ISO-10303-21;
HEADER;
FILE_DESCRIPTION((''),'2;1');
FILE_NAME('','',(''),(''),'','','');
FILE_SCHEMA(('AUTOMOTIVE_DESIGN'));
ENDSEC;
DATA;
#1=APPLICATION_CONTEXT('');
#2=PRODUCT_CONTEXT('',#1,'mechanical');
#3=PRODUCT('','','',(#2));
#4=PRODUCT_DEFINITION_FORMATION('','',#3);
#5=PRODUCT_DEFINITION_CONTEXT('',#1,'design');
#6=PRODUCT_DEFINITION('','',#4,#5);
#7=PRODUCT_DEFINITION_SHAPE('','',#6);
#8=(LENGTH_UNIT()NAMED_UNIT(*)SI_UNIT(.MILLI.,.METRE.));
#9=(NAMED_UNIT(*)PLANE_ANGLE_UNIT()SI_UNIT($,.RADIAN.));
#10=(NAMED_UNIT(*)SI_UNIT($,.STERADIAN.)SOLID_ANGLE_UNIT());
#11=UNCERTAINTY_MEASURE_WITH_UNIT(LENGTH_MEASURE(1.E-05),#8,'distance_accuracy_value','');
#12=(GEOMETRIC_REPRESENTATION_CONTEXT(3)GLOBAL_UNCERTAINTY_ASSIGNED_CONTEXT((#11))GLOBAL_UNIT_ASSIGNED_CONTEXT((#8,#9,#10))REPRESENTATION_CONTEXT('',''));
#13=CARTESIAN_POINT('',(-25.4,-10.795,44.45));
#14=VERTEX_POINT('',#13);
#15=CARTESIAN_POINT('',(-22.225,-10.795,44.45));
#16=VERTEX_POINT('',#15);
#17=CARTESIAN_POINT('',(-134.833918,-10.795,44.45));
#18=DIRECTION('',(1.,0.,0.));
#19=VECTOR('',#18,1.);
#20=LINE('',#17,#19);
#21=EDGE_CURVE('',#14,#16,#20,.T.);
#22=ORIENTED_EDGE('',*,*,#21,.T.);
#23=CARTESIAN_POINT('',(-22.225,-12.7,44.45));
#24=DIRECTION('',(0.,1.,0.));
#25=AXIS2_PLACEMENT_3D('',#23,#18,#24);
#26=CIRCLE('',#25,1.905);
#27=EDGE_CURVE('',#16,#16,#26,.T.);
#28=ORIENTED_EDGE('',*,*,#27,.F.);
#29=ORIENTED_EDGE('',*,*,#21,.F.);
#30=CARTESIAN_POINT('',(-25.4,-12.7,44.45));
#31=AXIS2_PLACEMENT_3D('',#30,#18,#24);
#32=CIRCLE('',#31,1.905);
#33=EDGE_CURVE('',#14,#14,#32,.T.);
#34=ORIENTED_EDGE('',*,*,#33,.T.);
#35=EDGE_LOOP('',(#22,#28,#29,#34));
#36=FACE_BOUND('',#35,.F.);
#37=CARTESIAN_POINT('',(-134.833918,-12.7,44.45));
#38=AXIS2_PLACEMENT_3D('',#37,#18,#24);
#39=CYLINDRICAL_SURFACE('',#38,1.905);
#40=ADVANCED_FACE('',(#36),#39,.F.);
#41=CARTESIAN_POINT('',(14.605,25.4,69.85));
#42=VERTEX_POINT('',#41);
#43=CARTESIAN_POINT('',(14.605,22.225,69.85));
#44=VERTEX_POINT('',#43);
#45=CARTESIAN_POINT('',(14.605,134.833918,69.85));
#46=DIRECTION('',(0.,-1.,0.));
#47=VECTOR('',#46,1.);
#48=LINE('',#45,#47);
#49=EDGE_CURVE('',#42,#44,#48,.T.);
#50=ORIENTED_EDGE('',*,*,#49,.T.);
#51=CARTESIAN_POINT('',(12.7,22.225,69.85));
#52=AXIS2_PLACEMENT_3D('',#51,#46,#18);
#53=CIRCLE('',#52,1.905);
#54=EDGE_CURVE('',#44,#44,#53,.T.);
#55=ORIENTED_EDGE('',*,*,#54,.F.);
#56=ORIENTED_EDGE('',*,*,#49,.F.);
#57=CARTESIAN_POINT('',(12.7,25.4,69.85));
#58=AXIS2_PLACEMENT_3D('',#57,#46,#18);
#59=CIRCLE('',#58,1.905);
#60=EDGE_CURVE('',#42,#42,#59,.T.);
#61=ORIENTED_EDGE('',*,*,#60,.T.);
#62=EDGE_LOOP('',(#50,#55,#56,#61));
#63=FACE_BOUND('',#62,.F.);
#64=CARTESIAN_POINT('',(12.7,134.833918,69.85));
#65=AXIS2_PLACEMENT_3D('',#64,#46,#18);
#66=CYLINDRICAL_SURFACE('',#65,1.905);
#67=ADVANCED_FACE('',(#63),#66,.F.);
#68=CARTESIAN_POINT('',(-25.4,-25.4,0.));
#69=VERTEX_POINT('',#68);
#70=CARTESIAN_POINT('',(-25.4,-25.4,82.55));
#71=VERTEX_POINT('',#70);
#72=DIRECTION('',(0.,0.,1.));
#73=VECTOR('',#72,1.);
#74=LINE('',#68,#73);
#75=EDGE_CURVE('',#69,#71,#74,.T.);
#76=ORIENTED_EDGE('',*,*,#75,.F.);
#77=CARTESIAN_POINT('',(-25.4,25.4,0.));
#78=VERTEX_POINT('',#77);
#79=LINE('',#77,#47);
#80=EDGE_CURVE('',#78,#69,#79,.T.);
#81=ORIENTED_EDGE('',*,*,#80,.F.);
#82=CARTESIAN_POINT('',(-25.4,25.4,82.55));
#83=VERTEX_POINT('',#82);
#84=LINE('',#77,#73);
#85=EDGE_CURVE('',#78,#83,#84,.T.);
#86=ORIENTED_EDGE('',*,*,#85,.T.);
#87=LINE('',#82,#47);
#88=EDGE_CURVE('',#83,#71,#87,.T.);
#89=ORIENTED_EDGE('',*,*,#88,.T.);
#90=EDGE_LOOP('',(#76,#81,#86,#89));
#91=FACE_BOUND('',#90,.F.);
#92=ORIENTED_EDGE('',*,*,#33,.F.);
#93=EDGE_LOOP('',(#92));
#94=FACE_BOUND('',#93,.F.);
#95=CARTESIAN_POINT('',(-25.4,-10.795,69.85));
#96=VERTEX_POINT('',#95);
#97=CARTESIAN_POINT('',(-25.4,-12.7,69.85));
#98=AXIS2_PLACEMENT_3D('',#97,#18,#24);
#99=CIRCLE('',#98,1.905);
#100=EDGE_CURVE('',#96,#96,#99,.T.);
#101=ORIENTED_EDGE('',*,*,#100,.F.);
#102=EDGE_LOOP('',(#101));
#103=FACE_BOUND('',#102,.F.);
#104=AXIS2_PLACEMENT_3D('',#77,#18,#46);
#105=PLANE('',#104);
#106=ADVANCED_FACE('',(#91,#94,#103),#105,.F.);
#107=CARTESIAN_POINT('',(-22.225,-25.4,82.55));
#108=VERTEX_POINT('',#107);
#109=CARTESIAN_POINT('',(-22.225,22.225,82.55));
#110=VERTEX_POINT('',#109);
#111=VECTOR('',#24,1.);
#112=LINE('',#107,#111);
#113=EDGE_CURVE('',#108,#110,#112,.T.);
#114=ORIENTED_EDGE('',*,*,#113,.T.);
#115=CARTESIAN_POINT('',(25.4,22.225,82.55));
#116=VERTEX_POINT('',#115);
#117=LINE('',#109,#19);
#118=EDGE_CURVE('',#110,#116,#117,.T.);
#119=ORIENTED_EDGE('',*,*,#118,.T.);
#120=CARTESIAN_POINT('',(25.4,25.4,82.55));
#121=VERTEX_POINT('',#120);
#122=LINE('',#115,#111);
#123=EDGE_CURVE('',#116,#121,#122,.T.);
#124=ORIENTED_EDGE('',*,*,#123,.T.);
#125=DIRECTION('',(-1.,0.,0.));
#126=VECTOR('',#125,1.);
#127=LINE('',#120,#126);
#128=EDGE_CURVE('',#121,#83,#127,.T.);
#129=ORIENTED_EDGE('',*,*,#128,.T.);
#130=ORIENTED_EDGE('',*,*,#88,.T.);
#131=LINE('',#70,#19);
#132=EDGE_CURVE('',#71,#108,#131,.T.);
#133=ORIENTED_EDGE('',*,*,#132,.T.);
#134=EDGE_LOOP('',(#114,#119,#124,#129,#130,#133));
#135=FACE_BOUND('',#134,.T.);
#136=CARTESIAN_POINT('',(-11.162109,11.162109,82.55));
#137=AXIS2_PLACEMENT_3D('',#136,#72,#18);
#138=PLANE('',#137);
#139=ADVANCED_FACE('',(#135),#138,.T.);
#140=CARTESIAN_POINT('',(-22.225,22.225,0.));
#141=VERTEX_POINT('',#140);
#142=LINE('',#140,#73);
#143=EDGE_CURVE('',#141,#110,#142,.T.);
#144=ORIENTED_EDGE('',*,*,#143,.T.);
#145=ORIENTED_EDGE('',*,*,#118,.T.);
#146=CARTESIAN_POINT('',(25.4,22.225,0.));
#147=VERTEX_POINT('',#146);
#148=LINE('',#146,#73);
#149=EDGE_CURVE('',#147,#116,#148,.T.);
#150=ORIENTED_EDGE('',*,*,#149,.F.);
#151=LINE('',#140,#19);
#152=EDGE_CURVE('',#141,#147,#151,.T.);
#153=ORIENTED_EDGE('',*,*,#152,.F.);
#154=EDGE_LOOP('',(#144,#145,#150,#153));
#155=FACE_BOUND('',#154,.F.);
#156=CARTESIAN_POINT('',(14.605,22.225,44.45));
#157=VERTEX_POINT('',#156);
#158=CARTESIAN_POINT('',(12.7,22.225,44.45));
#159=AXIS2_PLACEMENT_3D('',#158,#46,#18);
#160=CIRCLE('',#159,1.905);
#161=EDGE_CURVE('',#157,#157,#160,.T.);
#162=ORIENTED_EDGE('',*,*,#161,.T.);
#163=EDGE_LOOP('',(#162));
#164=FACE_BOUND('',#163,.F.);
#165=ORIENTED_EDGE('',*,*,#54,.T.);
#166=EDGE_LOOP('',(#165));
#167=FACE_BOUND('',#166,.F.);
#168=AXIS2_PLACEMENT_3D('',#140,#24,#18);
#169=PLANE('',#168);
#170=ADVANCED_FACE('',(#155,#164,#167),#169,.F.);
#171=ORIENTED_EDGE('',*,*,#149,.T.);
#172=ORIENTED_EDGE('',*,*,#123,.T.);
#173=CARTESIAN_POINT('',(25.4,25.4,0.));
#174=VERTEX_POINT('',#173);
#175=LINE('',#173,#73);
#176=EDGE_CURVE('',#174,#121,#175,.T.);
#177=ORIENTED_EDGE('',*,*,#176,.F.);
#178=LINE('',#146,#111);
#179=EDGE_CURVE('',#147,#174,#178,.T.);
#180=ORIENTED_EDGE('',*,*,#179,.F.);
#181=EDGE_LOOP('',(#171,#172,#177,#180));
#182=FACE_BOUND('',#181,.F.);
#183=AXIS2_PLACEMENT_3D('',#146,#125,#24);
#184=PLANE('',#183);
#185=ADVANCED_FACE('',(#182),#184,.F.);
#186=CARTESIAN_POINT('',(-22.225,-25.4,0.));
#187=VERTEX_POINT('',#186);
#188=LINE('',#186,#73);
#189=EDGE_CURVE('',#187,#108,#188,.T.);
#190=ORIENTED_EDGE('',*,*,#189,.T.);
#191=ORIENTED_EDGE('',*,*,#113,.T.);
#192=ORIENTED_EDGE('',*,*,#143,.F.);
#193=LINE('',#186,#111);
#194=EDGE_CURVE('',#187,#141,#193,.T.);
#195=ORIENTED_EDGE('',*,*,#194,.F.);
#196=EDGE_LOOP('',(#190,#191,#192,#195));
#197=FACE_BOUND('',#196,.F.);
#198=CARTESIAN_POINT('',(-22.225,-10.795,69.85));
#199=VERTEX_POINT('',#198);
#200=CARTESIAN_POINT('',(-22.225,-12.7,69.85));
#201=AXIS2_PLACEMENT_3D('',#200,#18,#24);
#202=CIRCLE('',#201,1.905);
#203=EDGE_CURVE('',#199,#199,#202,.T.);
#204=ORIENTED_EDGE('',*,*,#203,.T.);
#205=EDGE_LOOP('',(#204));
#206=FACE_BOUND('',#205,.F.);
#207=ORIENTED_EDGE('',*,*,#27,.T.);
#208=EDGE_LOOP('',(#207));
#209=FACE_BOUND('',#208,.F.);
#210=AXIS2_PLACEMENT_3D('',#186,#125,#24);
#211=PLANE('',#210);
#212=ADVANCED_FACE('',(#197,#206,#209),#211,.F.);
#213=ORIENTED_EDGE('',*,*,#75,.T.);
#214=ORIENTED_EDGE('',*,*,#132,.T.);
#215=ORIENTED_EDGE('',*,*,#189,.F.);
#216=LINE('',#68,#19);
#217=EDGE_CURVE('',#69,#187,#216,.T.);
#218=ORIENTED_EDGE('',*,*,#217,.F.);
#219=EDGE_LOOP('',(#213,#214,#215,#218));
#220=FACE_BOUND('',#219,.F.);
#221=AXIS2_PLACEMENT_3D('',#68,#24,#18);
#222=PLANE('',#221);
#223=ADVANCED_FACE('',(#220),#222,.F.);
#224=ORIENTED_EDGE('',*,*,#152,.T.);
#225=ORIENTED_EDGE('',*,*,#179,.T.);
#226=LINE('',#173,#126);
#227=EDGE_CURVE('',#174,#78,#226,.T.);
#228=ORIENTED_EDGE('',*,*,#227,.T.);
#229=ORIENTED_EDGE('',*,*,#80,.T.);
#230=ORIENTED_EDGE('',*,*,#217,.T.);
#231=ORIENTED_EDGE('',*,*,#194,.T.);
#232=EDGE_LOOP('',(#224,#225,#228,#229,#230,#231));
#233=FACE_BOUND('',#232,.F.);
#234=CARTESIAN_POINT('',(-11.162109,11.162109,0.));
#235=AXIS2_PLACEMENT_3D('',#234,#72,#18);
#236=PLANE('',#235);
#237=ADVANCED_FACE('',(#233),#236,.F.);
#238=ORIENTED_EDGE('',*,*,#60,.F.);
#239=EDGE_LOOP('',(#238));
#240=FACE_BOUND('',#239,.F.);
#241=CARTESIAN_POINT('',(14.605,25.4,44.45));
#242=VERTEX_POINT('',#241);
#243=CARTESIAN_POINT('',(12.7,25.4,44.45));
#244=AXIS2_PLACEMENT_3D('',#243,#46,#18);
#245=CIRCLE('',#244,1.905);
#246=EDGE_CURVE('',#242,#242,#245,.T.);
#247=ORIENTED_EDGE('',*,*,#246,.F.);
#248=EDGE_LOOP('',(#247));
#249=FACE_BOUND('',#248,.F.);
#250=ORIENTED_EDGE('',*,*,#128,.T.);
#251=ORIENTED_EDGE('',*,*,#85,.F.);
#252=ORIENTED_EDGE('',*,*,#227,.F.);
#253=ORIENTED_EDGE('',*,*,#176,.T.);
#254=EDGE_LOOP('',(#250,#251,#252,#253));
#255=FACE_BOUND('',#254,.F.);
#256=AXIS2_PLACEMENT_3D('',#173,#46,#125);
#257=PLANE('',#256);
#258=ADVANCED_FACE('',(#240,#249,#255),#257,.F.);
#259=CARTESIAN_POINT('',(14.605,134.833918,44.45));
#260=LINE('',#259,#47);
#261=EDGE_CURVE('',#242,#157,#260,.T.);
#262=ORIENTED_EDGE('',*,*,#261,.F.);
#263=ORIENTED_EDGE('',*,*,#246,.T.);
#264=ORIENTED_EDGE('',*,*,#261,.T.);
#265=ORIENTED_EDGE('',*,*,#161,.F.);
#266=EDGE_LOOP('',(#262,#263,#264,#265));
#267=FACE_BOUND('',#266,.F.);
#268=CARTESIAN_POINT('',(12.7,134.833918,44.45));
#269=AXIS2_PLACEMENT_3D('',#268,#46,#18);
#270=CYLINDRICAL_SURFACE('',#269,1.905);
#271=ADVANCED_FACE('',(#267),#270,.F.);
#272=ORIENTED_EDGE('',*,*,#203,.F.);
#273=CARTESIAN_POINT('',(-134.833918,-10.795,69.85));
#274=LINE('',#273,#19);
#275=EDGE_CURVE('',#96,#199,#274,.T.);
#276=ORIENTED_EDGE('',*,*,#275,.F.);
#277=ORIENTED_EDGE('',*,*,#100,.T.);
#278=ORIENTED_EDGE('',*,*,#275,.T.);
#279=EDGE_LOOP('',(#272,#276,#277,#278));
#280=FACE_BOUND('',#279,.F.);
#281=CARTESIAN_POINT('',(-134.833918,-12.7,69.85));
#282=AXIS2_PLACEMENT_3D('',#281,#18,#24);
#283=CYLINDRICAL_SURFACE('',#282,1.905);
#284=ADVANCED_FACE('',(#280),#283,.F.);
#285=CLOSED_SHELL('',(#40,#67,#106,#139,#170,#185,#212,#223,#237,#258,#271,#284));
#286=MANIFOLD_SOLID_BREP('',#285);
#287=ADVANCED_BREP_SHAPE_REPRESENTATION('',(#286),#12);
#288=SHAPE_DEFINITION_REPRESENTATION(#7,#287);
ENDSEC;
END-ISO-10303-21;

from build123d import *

# Parameters (mm, degrees)
F1_DEPTH = 82.55
F3_D     = 3.81
F5_D     = 3.81


with BuildPart() as f1:
    # F0 (on Top) → F1 (new body)
    with BuildSketch(Plane.XY):
        Polygon((25.4, 25.4), (-25.4, 25.4), (-25.4, -25.4), (-22.225, -25.4), (-22.225, 22.225), (25.4, 22.225), align=None)
    extrude(amount=F1_DEPTH)

    # F3 (through all)
    with Locations(Plane(origin=(-25.4, 0, 0), x_dir=(0, -1, 0), z_dir=(-1, 0, 0))):
        with Locations((12.7, 69.85), (12.7, 44.45)):
            Hole(F3_D / 2)

    # F5 (through all)
    with Locations(Plane(origin=(0, 25.4, 0), x_dir=(-1, 0, 0), z_dir=(0, 1, 0))):
        with Locations((-12.7, 69.85), (-12.7, 44.45)):
            Hole(F5_D / 2)


solid = f1.part
